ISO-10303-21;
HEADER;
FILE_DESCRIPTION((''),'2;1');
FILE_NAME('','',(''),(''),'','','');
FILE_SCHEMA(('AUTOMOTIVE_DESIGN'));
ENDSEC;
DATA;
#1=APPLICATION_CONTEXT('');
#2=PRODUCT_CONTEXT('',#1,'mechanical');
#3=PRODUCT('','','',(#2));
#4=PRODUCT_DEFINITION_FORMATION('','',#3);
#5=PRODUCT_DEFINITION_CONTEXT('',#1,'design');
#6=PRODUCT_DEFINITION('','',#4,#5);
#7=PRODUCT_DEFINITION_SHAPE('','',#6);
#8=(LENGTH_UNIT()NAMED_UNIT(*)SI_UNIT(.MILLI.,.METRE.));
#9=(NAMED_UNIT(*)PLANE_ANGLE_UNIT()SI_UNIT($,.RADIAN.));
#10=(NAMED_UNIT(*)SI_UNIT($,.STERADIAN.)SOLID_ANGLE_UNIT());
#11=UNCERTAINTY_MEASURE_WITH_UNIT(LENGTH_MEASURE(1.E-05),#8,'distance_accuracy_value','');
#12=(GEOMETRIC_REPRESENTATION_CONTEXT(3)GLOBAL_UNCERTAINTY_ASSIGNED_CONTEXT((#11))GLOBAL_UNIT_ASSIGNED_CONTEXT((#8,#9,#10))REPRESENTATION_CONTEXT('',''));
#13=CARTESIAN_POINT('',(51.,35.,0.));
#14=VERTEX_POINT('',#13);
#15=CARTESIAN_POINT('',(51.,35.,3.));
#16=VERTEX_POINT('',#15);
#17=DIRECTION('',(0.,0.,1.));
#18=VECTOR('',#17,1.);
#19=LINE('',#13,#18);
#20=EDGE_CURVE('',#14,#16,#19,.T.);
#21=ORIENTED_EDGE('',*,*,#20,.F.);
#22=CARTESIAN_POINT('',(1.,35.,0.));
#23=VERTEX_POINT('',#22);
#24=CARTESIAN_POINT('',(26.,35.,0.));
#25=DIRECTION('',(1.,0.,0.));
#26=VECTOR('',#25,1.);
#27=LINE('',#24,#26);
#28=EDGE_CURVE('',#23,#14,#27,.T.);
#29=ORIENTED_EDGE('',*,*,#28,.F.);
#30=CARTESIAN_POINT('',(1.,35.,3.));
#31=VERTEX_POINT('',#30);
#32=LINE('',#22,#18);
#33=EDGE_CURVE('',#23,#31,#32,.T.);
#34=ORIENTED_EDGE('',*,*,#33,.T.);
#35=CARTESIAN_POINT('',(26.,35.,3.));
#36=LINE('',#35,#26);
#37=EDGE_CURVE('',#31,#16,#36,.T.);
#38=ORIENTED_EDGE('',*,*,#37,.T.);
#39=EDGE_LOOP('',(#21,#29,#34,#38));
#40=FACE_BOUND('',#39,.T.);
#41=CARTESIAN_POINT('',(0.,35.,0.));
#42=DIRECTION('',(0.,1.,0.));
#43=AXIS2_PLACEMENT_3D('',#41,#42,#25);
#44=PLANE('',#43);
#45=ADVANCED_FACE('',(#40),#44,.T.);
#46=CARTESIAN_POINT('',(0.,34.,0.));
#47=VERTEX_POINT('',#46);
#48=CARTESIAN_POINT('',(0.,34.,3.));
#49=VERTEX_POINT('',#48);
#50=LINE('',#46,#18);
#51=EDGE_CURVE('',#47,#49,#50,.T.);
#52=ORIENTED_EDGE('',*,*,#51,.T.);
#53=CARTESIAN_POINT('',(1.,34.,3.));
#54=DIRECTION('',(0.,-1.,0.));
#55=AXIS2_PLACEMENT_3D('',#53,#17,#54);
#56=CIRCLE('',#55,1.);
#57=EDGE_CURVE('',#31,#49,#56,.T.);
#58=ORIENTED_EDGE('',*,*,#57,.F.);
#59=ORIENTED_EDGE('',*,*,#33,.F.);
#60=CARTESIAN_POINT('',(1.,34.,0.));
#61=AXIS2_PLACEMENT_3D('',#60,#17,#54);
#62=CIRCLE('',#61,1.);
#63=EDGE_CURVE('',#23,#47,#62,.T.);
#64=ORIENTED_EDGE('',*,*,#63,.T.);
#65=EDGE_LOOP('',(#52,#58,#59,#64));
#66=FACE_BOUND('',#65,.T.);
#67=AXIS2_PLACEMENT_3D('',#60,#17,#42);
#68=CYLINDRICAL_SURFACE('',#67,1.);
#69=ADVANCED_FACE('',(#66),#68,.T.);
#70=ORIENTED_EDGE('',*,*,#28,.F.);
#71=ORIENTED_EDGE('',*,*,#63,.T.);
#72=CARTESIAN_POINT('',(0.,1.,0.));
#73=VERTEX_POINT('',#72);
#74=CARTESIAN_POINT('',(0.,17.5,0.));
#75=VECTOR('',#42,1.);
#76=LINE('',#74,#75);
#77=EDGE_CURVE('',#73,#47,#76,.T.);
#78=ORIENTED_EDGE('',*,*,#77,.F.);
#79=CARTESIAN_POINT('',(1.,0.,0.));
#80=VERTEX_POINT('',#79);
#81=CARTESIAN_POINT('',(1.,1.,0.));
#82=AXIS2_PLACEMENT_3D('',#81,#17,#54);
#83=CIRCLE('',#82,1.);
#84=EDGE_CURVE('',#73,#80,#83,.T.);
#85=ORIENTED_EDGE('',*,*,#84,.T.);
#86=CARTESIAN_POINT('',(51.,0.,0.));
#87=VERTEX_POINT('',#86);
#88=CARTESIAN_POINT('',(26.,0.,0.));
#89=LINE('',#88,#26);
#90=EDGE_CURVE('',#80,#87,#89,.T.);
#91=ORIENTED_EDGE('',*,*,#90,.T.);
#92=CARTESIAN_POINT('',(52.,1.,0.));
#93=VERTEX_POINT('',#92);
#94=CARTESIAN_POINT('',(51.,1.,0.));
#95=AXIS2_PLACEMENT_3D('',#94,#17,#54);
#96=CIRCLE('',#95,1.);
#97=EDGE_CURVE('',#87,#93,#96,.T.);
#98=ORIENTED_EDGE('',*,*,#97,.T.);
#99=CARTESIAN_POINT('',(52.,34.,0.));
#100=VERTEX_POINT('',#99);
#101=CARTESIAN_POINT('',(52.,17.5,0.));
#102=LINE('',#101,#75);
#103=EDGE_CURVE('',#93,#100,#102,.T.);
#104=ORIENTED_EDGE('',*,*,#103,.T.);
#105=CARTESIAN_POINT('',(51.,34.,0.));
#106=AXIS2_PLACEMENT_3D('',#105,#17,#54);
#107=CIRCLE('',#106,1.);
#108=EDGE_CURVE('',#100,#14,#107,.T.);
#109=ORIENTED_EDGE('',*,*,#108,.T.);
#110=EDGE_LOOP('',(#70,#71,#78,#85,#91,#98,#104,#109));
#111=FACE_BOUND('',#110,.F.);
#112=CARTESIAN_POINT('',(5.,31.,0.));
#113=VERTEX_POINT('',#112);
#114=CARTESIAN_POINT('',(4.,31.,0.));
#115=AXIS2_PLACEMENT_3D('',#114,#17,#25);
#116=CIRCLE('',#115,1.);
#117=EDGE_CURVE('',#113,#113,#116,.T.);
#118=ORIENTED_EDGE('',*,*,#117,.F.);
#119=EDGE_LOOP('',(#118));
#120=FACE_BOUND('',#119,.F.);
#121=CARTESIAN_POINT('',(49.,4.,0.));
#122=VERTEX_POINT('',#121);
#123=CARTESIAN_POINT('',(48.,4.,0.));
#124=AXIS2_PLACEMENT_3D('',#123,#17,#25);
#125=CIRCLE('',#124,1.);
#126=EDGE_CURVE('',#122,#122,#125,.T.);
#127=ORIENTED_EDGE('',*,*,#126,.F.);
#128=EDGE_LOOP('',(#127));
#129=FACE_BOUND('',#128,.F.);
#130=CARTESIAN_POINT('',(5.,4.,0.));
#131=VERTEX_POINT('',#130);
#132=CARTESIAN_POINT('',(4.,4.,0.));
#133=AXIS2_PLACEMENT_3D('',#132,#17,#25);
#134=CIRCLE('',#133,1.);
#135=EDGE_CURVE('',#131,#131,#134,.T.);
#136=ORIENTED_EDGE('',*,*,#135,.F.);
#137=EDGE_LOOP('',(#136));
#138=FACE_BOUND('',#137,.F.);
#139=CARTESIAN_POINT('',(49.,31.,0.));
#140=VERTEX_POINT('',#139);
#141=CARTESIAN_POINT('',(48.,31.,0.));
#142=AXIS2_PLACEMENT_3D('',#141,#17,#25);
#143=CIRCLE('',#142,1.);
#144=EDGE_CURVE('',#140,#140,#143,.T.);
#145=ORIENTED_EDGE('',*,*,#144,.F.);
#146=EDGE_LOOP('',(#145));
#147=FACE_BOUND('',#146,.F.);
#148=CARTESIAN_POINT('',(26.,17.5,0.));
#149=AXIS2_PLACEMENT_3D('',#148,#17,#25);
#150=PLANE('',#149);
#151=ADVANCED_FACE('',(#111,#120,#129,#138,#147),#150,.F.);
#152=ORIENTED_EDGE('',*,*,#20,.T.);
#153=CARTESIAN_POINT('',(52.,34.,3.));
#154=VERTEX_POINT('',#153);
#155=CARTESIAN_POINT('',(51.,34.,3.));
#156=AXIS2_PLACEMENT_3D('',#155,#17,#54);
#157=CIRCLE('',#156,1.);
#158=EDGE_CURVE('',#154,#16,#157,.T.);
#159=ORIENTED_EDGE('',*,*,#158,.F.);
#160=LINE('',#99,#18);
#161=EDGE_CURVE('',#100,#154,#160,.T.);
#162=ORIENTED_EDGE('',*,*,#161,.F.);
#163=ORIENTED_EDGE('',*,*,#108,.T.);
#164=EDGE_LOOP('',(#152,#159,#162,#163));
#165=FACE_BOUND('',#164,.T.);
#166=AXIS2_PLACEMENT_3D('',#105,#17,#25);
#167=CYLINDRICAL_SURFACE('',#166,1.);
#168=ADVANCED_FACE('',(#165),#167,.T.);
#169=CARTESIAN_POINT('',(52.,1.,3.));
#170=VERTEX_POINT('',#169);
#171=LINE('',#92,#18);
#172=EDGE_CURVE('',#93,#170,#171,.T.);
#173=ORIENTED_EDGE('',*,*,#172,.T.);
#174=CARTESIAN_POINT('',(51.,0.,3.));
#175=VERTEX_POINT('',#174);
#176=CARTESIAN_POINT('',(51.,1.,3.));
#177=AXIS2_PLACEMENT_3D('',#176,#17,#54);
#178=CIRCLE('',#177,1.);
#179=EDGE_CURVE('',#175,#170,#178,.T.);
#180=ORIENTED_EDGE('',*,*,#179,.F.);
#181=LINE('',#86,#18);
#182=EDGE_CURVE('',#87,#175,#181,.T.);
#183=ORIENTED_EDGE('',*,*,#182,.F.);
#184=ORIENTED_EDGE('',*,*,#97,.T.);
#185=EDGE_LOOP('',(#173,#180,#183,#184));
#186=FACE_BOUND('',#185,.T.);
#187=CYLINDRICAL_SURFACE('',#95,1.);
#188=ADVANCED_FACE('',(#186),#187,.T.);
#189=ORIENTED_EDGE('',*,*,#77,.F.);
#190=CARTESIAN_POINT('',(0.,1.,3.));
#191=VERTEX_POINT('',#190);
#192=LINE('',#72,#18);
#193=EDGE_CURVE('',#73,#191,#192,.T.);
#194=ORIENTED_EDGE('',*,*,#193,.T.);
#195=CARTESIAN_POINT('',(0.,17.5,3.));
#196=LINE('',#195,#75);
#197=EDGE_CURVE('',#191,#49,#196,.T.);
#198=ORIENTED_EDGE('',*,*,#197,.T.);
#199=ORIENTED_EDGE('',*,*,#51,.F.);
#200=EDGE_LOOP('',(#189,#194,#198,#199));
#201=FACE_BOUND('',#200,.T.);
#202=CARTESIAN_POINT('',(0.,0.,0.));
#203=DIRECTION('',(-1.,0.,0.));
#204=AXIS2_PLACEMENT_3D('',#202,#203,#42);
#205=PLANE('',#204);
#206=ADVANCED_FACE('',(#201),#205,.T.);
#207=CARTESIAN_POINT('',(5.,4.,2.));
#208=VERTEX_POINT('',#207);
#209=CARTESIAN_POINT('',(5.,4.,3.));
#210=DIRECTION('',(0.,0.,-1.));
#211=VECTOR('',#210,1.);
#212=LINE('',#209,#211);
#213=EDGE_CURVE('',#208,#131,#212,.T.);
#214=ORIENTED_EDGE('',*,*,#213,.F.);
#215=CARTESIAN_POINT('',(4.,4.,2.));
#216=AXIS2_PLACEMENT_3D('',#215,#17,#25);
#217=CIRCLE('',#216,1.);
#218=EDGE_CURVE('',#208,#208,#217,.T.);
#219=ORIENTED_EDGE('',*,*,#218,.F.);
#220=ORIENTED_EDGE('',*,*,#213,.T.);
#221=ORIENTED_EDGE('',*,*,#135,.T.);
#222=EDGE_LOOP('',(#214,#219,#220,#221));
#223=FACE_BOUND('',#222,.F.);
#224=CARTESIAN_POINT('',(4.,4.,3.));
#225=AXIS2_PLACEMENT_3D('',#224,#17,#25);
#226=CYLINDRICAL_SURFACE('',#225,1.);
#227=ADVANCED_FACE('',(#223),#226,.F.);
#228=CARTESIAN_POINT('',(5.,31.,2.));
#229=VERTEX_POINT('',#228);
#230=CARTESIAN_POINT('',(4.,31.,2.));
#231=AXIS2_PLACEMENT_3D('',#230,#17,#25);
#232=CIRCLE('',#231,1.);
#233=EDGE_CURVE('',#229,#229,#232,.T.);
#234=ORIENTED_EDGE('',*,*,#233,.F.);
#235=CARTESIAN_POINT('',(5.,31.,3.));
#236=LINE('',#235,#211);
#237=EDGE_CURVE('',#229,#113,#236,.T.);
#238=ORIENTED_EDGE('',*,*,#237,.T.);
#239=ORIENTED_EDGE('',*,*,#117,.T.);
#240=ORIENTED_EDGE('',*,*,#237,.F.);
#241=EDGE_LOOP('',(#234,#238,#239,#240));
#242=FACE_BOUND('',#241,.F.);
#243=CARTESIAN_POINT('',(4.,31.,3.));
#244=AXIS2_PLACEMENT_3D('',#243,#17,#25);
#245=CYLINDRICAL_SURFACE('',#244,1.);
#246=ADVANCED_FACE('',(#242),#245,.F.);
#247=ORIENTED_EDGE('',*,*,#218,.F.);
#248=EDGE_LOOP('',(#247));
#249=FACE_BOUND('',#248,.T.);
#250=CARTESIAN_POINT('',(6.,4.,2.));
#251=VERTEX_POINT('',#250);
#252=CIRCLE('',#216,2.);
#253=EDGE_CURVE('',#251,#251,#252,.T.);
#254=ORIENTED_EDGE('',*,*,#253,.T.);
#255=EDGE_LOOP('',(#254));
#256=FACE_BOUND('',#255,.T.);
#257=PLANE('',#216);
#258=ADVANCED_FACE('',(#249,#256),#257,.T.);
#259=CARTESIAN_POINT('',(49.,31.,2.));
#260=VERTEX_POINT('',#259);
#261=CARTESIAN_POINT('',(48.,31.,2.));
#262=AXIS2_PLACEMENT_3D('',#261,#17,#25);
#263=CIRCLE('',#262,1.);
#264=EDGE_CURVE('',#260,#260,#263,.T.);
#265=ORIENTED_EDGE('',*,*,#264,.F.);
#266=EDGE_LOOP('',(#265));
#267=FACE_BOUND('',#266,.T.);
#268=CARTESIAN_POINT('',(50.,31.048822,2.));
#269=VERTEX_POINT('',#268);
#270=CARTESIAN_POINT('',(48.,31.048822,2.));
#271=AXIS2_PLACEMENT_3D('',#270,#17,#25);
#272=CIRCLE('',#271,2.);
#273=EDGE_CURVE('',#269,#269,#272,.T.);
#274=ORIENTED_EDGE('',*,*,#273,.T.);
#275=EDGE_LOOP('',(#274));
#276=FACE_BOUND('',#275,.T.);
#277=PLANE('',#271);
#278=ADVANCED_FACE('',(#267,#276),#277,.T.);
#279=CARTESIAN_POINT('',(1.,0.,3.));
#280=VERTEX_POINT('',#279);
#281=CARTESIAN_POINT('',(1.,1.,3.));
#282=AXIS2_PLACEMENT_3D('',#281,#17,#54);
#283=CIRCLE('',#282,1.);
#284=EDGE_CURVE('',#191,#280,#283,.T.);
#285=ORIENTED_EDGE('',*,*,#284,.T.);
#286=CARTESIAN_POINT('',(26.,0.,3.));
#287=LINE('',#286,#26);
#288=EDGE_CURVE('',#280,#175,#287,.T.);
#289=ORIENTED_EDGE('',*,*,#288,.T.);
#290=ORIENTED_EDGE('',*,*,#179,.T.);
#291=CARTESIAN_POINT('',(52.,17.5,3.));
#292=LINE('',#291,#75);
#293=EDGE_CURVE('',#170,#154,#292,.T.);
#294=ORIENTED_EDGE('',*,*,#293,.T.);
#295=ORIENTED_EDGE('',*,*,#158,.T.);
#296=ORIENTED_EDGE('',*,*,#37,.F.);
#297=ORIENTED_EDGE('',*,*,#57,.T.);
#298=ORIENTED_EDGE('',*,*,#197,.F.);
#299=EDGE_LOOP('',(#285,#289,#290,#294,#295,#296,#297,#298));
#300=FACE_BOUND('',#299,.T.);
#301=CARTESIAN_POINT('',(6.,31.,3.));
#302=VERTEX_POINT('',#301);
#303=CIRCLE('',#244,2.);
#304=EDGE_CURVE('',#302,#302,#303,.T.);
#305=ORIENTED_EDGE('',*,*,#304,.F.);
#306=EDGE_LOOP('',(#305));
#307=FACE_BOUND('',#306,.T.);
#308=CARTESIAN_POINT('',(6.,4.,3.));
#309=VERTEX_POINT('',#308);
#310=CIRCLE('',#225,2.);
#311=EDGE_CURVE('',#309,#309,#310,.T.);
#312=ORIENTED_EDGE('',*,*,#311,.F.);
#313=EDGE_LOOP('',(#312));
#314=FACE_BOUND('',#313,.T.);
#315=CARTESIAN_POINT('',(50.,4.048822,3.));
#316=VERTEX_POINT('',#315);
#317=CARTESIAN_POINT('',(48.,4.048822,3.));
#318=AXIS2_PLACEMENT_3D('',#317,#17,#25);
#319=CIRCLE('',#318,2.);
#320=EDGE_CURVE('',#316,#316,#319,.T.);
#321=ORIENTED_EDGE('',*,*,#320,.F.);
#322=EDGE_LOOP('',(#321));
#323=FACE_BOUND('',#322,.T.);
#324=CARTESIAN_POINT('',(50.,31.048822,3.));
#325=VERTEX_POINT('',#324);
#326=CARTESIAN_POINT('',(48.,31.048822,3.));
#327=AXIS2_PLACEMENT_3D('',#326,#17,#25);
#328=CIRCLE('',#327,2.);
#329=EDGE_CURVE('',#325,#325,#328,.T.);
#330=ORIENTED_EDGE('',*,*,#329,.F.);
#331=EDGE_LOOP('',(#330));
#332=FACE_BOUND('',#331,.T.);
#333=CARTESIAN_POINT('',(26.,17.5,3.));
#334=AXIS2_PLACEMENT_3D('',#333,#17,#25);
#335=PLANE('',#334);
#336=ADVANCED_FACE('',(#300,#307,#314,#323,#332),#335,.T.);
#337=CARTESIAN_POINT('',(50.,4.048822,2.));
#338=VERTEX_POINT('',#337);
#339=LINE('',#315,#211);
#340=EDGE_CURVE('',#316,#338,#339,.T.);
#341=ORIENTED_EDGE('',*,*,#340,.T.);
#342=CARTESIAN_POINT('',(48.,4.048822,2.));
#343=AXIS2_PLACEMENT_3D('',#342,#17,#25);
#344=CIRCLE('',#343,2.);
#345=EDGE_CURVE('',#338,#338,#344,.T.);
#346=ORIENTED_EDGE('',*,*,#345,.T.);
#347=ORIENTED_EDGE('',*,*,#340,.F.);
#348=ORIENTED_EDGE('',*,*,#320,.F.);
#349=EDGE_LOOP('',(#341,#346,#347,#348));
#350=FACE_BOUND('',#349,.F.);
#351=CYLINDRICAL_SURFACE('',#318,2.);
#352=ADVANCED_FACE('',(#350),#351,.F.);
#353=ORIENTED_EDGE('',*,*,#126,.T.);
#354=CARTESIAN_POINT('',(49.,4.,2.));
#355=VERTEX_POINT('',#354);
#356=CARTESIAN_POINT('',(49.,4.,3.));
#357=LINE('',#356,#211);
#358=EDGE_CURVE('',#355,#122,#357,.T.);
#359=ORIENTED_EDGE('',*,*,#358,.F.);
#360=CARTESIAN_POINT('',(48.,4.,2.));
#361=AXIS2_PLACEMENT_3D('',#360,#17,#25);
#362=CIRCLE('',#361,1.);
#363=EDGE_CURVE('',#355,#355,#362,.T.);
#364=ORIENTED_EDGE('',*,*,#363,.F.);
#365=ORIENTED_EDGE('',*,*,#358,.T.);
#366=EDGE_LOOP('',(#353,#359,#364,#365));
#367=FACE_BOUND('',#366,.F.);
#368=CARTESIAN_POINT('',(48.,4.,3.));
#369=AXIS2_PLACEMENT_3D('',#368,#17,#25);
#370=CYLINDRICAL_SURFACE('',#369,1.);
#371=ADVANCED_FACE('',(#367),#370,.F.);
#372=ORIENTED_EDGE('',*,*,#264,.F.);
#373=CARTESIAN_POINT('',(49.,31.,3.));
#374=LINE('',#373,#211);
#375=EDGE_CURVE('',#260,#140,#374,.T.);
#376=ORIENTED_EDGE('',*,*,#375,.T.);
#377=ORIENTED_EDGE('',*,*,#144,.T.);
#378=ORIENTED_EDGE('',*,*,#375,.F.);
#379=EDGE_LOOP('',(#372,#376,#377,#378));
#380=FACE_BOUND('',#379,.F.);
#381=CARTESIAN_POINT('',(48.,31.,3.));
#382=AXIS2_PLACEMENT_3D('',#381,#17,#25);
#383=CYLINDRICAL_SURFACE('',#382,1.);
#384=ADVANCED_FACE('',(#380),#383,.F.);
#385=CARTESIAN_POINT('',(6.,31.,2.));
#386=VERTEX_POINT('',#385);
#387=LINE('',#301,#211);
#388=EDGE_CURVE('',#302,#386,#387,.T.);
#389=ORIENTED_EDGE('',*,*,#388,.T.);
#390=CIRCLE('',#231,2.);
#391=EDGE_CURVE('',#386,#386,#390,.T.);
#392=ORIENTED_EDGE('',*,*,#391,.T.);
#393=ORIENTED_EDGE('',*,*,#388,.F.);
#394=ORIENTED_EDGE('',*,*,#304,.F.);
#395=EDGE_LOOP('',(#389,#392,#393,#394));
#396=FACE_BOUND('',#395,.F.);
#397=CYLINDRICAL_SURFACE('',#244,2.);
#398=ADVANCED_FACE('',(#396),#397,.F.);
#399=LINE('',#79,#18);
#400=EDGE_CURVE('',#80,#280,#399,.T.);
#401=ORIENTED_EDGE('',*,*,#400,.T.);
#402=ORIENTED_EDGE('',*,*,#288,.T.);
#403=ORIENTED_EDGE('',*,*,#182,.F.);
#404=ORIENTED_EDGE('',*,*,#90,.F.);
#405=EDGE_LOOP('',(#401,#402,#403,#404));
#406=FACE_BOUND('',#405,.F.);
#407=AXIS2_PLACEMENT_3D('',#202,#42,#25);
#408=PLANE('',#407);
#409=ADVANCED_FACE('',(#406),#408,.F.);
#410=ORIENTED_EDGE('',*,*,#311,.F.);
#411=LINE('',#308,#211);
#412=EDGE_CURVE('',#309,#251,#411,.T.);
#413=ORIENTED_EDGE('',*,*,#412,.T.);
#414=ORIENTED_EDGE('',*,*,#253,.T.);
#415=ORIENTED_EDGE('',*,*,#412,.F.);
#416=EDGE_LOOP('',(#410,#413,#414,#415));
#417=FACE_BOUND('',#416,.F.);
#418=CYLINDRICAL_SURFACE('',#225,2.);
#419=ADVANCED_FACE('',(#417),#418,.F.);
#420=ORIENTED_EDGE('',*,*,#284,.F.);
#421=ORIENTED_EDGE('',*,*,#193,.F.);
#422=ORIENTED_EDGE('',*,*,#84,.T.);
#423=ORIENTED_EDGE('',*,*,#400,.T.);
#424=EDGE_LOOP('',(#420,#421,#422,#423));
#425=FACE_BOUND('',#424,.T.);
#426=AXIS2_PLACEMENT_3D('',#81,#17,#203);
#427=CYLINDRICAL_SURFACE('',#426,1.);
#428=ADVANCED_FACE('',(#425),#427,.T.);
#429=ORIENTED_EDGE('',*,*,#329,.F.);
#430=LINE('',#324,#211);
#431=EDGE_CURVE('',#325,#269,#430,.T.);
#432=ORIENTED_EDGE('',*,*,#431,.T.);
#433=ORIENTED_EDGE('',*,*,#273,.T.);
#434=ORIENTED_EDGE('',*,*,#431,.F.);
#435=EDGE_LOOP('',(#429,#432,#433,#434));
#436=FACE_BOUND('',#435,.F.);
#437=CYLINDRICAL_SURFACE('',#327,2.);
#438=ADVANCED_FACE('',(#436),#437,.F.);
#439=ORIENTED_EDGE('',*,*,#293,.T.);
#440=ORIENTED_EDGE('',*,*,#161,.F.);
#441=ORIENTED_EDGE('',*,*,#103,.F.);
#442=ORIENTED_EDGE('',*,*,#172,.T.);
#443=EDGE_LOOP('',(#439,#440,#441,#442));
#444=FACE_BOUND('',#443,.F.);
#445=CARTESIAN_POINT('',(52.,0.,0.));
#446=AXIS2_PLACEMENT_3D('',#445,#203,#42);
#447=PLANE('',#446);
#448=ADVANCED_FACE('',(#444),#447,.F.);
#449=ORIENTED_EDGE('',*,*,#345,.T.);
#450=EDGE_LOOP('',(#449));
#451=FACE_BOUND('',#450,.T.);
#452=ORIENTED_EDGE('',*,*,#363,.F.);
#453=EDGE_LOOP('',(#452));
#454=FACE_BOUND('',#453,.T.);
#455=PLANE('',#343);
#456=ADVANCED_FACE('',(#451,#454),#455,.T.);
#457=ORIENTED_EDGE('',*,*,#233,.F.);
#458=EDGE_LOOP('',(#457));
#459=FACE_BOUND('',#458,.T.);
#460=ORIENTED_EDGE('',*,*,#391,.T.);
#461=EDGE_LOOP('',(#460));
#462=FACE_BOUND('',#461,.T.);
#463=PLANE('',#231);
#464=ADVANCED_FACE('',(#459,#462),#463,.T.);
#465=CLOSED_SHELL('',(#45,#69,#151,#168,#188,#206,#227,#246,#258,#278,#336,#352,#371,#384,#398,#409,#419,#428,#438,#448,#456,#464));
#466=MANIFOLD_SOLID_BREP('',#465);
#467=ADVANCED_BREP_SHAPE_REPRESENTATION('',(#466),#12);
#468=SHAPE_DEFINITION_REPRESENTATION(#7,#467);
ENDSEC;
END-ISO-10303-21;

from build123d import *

# Parameters (mm, degrees)
SKETCH_W        = 52
SKETCH_H        = 35
PAD_DEPTH       = 3
FILLET_R        = 1
FILLET001_R     = 1
FILLET002_R     = 1
FILLET003_R     = 1
SKETCH001_R     = 1
POCKET_DEPTH    = 5
SKETCH002_R     = 2
POCKET001_DEPTH = 1


with BuildPart() as part:
    # Sketch → Pad (new body)
    with BuildSketch(Plane.XY):
        with Locations((26, 17.5)):
            Rectangle(SKETCH_W, SKETCH_H)
    extrude(amount=PAD_DEPTH)

    # Fillet
    fillet_edges = [part.edges().sort_by_distance(p)[0] for p in [
        (0, 0, 1.5),
    ]]
    fillet(fillet_edges, radius=FILLET_R)

    # Fillet001
    fillet001_edges = [part.edges().sort_by_distance(p)[0] for p in [
        (52, 0, 1.5),
    ]]
    fillet(fillet001_edges, radius=FILLET001_R)

    # Fillet002
    fillet002_edges = [part.edges().sort_by_distance(p)[0] for p in [
        (52, 35, 1.5),
    ]]
    fillet(fillet002_edges, radius=FILLET002_R)

    # Fillet003
    fillet003_edges = [part.edges().sort_by_distance(p)[0] for p in [
        (0, 35, 1.5),
    ]]
    fillet(fillet003_edges, radius=FILLET003_R)

    # Sketch001 → Pocket (cut)
    with BuildSketch(Plane.XY.offset(3)):
        with Locations((4, 31)):
            Circle(SKETCH001_R)
        with Locations((48, 31)):
            Circle(SKETCH001_R)
        with Locations((4, 4)):
            Circle(SKETCH001_R)
        with Locations((48, 4)):
            Circle(SKETCH001_R)
    extrude(amount=-POCKET_DEPTH, mode=Mode.SUBTRACT)

    # Sketch002 → Pocket001 (cut)
    with BuildSketch(Plane.XY.offset(3)):
        with Locations((4, 31)):
            Circle(SKETCH002_R)
        with Locations((4, 4)):
            Circle(SKETCH002_R)
        with Locations((48, 31.048822)):
            Circle(SKETCH002_R)
        with Locations((48, 4.048822)):
            Circle(SKETCH002_R)
    extrude(amount=-POCKET001_DEPTH, mode=Mode.SUBTRACT)


solid = part.part
